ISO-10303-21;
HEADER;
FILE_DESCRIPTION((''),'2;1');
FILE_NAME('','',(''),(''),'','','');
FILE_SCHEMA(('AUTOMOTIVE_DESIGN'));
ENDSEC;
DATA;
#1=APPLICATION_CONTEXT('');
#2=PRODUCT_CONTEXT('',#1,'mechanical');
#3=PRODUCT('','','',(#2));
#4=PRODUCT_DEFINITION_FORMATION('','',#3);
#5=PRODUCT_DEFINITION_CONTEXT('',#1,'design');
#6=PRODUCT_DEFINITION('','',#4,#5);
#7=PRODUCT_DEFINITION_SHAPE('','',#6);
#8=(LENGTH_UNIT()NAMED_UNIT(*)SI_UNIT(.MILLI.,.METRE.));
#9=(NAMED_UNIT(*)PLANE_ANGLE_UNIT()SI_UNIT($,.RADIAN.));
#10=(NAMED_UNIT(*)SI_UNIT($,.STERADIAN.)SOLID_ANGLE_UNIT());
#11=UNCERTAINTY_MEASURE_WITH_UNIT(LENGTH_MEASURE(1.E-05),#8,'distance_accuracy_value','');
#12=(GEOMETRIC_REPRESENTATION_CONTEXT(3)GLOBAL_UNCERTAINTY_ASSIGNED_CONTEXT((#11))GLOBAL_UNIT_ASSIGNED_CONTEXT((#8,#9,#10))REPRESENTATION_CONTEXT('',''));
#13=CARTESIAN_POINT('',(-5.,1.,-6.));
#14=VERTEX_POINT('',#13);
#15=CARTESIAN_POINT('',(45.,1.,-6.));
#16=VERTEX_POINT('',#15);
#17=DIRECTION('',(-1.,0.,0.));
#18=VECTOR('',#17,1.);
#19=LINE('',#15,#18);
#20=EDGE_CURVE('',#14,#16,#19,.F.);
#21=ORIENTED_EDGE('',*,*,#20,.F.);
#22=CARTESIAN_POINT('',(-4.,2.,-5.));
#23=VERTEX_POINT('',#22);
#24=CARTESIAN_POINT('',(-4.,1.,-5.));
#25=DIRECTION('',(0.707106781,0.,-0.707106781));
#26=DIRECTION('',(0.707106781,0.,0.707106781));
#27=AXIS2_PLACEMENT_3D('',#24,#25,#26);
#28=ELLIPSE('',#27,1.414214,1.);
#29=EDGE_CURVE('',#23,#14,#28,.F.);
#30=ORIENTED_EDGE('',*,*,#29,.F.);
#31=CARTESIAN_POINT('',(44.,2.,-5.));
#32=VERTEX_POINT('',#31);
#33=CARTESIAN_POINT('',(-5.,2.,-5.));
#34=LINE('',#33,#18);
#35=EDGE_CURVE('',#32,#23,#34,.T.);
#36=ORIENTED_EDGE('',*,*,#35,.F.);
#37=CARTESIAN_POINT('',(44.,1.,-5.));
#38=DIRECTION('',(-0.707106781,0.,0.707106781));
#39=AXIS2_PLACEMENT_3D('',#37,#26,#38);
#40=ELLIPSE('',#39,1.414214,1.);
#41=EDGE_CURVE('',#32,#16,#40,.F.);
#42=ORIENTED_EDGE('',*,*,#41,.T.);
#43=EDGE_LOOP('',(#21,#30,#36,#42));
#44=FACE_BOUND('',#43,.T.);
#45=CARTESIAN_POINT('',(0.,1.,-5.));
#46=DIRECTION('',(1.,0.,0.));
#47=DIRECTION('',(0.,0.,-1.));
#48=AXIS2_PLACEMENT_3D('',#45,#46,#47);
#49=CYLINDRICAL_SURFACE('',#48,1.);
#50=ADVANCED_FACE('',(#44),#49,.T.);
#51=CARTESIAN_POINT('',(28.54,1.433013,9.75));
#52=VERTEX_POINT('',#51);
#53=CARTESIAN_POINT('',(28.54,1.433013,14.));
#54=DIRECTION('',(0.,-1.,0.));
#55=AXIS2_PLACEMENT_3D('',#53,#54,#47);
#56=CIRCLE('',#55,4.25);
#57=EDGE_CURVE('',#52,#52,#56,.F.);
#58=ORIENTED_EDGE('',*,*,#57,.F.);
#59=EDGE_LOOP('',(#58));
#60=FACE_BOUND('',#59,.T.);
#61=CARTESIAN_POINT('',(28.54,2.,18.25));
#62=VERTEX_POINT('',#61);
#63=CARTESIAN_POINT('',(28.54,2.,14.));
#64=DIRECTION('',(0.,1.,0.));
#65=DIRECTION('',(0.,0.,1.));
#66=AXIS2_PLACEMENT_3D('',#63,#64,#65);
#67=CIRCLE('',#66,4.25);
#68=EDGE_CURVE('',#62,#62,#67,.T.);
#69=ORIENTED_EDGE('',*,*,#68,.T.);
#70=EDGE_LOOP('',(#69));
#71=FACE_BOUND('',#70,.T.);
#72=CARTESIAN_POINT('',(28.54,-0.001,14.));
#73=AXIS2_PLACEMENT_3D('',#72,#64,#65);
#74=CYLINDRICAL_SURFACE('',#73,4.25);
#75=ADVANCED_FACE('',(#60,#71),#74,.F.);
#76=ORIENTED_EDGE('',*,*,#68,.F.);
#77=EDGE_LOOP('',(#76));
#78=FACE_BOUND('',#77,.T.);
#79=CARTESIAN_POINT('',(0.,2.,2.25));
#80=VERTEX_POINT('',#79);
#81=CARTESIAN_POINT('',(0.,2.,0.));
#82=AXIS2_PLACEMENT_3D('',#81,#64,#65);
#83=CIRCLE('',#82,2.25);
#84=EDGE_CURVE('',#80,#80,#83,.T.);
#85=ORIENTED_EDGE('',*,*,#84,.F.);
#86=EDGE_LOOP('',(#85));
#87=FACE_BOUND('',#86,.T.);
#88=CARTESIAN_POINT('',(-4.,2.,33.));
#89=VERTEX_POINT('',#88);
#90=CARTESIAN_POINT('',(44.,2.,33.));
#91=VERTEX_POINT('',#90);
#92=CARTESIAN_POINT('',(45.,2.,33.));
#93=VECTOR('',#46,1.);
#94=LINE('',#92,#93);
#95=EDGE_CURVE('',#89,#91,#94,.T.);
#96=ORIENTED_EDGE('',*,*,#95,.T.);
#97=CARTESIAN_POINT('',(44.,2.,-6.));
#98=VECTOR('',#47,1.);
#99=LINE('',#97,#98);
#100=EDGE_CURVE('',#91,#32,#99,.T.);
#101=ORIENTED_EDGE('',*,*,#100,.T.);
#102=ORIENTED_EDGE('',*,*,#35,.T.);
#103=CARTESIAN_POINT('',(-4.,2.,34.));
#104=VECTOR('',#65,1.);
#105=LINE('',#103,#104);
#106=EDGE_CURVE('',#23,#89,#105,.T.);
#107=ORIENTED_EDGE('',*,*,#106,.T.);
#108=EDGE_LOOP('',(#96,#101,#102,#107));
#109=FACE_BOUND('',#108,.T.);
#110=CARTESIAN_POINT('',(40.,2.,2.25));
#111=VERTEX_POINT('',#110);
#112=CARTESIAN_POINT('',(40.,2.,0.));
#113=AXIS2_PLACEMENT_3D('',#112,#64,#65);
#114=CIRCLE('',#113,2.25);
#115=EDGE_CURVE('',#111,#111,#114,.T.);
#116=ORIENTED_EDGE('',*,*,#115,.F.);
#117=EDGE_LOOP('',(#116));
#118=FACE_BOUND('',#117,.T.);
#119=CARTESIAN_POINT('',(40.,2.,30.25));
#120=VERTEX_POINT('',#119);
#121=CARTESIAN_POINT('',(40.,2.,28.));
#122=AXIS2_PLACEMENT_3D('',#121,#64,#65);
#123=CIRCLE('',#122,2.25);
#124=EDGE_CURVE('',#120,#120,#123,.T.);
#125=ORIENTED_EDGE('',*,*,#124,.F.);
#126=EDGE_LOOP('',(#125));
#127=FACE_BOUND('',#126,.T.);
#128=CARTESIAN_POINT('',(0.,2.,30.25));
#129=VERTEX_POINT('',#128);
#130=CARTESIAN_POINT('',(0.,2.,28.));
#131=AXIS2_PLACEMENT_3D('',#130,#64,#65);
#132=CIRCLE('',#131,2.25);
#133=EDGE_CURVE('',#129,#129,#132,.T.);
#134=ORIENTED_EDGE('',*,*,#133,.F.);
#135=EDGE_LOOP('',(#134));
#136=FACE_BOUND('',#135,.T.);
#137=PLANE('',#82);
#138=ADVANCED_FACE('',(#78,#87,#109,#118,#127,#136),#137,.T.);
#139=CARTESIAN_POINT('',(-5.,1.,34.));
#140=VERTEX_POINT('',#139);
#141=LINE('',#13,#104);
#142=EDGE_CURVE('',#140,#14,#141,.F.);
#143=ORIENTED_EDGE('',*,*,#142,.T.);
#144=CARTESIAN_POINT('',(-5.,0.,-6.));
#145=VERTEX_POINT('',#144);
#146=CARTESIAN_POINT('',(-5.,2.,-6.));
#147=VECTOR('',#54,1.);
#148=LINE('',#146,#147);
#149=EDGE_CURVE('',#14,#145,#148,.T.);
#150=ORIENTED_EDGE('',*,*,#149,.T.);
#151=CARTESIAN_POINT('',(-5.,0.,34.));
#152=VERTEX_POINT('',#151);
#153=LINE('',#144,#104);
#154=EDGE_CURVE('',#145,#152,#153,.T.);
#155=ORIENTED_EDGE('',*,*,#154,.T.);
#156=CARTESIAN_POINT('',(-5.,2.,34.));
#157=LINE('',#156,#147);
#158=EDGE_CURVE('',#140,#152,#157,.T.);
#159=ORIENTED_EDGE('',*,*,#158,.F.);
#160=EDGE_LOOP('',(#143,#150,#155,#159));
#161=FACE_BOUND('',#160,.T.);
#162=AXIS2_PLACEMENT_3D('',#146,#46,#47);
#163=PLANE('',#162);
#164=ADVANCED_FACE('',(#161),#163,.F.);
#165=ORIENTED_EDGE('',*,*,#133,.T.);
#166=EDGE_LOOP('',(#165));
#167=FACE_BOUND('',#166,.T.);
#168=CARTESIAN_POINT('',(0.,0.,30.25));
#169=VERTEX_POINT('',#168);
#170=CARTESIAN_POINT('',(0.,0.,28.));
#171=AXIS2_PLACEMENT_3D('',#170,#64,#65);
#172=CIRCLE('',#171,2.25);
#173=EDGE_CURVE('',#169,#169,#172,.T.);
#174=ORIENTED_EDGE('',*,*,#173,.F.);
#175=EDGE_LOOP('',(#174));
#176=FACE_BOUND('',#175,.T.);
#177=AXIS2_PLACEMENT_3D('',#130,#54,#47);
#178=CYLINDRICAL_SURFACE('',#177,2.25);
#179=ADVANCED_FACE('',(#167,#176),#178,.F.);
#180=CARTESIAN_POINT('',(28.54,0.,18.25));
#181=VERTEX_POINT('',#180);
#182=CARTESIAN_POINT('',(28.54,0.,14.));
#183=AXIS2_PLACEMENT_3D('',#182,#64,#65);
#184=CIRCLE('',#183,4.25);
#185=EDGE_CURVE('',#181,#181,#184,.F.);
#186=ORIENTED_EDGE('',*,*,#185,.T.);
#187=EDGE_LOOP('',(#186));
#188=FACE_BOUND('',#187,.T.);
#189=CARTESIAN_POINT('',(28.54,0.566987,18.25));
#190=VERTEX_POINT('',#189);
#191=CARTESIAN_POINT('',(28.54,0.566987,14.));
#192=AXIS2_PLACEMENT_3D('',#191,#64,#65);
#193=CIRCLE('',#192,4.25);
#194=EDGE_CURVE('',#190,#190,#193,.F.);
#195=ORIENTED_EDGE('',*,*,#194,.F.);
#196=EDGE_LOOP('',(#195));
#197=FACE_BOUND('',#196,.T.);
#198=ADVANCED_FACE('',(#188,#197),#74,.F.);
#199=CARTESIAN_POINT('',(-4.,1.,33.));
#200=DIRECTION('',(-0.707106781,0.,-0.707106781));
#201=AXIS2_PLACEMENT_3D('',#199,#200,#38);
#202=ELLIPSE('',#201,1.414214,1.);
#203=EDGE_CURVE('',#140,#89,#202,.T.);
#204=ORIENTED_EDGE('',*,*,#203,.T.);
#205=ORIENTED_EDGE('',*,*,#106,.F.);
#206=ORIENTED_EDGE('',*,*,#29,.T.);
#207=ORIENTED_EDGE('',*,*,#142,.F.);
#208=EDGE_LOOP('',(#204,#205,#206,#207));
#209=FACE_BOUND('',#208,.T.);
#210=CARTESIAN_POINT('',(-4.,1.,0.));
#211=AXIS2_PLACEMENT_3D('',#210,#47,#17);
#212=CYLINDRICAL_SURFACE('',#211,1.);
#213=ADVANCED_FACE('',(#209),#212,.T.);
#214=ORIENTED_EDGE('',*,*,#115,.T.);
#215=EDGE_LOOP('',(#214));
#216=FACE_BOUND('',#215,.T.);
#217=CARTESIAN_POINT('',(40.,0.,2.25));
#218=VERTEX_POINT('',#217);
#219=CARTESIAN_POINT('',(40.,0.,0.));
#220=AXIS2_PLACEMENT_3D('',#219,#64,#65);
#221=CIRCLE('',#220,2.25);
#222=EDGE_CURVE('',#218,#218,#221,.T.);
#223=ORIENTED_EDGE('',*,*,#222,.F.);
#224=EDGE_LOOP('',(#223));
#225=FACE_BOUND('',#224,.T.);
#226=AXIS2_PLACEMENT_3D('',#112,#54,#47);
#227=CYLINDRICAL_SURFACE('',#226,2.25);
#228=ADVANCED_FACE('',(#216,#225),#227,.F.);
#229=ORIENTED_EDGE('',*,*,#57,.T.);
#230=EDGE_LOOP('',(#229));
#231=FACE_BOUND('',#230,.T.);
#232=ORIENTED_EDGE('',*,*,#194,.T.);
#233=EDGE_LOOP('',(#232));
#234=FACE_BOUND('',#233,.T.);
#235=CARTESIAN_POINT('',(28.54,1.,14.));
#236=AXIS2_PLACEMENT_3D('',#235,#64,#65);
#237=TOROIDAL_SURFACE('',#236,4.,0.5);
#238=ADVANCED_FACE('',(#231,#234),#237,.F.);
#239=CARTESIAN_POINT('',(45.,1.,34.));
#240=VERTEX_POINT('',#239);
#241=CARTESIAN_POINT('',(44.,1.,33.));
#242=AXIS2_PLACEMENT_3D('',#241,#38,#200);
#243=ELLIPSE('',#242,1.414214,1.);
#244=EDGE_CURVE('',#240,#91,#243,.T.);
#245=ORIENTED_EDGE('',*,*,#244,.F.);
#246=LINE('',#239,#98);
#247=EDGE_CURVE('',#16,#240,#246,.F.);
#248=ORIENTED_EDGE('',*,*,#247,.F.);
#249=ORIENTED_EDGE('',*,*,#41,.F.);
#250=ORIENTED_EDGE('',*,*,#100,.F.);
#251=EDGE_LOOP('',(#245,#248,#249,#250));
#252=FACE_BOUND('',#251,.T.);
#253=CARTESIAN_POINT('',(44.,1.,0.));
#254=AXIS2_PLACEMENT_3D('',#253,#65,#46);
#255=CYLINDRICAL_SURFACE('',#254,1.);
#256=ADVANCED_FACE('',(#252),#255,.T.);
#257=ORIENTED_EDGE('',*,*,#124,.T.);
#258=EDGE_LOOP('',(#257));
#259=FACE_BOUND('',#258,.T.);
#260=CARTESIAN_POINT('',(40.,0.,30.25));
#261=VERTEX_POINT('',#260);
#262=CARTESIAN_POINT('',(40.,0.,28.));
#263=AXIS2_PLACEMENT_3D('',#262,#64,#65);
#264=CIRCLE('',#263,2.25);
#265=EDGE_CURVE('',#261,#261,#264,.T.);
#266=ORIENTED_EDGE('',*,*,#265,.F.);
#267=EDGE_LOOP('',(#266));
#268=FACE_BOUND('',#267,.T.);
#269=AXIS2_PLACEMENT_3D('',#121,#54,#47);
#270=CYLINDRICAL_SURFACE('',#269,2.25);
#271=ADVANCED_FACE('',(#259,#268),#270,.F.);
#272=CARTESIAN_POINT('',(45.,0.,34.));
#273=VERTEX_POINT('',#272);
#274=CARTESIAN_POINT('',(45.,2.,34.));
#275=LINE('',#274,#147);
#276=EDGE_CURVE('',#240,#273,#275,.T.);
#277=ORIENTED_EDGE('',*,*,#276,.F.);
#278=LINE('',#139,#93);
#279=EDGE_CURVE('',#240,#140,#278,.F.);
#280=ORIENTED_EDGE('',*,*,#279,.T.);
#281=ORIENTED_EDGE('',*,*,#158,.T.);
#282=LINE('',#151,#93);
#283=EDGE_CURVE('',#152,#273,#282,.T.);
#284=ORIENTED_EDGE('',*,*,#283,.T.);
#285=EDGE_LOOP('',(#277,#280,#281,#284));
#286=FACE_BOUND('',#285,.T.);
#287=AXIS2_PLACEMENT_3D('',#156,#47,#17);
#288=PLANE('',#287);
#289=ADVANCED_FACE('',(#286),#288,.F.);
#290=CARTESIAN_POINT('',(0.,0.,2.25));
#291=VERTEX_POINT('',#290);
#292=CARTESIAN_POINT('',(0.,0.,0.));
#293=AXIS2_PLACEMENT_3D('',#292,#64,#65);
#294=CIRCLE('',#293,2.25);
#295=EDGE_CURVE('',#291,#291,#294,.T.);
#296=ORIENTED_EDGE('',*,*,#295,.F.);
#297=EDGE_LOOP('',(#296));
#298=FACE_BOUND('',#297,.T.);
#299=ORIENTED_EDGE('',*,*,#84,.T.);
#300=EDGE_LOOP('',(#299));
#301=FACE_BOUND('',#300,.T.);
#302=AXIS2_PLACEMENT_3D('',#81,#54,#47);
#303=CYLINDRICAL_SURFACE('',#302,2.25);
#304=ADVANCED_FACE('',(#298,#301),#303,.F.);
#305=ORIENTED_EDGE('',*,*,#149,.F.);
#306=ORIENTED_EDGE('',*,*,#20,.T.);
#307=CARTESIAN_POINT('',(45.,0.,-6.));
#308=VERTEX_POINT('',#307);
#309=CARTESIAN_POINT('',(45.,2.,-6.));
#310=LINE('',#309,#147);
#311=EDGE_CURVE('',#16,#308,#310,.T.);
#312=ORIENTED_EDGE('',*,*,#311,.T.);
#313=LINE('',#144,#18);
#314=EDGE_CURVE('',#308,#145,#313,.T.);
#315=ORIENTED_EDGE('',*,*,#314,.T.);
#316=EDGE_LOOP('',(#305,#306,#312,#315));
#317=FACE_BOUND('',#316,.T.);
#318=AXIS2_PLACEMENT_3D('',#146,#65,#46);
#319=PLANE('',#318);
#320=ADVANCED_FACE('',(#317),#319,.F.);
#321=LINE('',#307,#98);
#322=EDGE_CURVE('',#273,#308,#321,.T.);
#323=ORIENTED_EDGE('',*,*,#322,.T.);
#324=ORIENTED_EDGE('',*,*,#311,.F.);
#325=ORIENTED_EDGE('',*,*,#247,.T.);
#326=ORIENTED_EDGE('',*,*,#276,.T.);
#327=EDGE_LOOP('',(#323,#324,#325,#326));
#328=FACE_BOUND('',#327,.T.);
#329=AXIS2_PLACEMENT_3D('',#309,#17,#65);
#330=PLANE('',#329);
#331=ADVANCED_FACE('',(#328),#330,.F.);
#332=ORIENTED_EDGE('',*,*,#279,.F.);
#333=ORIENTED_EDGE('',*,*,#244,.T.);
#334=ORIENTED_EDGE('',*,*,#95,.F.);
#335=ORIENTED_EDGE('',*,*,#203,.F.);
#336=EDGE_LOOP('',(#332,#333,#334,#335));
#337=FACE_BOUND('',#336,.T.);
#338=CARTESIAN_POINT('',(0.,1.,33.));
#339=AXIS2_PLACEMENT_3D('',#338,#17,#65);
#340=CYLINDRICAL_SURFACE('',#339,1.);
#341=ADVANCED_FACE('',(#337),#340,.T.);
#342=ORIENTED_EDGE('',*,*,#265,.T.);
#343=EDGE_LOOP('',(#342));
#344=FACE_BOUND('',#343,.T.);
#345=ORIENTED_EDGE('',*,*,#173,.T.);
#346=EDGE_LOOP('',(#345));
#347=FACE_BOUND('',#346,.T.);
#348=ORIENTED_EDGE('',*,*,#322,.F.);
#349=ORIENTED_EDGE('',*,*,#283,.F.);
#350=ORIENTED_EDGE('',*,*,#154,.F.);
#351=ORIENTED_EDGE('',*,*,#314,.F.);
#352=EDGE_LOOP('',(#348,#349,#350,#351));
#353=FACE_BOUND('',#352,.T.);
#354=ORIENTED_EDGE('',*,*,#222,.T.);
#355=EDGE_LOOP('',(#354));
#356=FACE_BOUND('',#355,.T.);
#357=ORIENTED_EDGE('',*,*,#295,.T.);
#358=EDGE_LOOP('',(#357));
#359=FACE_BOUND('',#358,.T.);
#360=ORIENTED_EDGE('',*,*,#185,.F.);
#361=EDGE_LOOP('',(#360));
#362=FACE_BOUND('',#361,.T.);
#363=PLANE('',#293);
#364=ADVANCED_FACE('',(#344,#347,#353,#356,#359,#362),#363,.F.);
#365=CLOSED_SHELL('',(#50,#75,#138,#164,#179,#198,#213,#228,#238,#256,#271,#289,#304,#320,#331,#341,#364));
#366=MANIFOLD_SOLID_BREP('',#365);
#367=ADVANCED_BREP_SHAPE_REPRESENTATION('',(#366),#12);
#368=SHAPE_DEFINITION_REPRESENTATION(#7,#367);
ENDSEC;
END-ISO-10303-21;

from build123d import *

# Parameters (mm, degrees)
SKETCH2_W           = 50
SKETCH2_H           = 40
SKETCH2_R           = 2.25
BOSS_EXTRUDE1_DEPTH = 2
CUT_EXTRUDE3_REACH  = 58.436
SKETCH4_R           = 4.25
FILLET2_R           = 1


with BuildPart() as part:
    # Sketch2 → Boss-Extrude1 (new body)
    with BuildSketch(Plane(origin=(0, 0, 0), x_dir=(1, 0, 0), z_dir=(0, 1, 0))):
        with Locations((20, -14)):
            Rectangle(SKETCH2_W, SKETCH2_H)
        with Locations(Location((0, 0, 0), (0, 0, 270))):
            Circle(SKETCH2_R, mode=Mode.SUBTRACT)
        with Locations(Location((40, 0, 0), (0, 0, 270))):
            Circle(SKETCH2_R, mode=Mode.SUBTRACT)
        with Locations(Location((0, -28, 0), (0, 0, 270))):
            Circle(SKETCH2_R, mode=Mode.SUBTRACT)
        with Locations(Location((40, -28, 0), (0, 0, 270))):
            Circle(SKETCH2_R, mode=Mode.SUBTRACT)
    extrude(amount=BOSS_EXTRUDE1_DEPTH)

    # Sketch4 → Cut-Extrude3 (cut, up to next)
    with BuildSketch(Plane(origin=(0, 2, 0), x_dir=(1, 0, 0), z_dir=(0, 1, 0)), mode=Mode.PRIVATE) as cut_extrude3_sk1:
        with Locations(Location((28.54, -14, 0), (0, 0, 270))):
            Circle(SKETCH4_R)
    cut_extrude3_tool1 = extrude(cut_extrude3_sk1.sketch, amount=-CUT_EXTRUDE3_REACH, mode=Mode.PRIVATE) & part.part
    add(cut_extrude3_tool1.solids().sort_by_distance((28.54, 2, 14))[0], mode=Mode.SUBTRACT)

    # Sketch7 → Cut-Revolve1 (revolve, cut)
    with BuildSketch(Plane(origin=(0, 0, 14), x_dir=(-1, 0, 0), z_dir=(0, 0, -1)), mode=Mode.PRIVATE) as cut_revolve1_sk:
        with BuildLine():
            Line((-24.54, 1.5), (-24.54, 0.5))
            ThreePointArc((-24.54, 0.5), (-24.04, 1), (-24.54, 1.5))
        make_face()
    revolve(cut_revolve1_sk.sketch.rotate(Axis((28.54, 2, 14), (0, -1, 0)), 270), axis=Axis((28.54, 2, 14), (0, -1, 0)), mode=Mode.SUBTRACT)

    # Fillet2
    fillet2_edges = [part.edges().sort_by_distance(p)[0] for p in [
        (45, 2, 14),
        (20, 2, -6),
        (-5, 2, 14),
        (20, 2, 34),
    ]]
    fillet(fillet2_edges, radius=FILLET2_R)


solid = part.part
